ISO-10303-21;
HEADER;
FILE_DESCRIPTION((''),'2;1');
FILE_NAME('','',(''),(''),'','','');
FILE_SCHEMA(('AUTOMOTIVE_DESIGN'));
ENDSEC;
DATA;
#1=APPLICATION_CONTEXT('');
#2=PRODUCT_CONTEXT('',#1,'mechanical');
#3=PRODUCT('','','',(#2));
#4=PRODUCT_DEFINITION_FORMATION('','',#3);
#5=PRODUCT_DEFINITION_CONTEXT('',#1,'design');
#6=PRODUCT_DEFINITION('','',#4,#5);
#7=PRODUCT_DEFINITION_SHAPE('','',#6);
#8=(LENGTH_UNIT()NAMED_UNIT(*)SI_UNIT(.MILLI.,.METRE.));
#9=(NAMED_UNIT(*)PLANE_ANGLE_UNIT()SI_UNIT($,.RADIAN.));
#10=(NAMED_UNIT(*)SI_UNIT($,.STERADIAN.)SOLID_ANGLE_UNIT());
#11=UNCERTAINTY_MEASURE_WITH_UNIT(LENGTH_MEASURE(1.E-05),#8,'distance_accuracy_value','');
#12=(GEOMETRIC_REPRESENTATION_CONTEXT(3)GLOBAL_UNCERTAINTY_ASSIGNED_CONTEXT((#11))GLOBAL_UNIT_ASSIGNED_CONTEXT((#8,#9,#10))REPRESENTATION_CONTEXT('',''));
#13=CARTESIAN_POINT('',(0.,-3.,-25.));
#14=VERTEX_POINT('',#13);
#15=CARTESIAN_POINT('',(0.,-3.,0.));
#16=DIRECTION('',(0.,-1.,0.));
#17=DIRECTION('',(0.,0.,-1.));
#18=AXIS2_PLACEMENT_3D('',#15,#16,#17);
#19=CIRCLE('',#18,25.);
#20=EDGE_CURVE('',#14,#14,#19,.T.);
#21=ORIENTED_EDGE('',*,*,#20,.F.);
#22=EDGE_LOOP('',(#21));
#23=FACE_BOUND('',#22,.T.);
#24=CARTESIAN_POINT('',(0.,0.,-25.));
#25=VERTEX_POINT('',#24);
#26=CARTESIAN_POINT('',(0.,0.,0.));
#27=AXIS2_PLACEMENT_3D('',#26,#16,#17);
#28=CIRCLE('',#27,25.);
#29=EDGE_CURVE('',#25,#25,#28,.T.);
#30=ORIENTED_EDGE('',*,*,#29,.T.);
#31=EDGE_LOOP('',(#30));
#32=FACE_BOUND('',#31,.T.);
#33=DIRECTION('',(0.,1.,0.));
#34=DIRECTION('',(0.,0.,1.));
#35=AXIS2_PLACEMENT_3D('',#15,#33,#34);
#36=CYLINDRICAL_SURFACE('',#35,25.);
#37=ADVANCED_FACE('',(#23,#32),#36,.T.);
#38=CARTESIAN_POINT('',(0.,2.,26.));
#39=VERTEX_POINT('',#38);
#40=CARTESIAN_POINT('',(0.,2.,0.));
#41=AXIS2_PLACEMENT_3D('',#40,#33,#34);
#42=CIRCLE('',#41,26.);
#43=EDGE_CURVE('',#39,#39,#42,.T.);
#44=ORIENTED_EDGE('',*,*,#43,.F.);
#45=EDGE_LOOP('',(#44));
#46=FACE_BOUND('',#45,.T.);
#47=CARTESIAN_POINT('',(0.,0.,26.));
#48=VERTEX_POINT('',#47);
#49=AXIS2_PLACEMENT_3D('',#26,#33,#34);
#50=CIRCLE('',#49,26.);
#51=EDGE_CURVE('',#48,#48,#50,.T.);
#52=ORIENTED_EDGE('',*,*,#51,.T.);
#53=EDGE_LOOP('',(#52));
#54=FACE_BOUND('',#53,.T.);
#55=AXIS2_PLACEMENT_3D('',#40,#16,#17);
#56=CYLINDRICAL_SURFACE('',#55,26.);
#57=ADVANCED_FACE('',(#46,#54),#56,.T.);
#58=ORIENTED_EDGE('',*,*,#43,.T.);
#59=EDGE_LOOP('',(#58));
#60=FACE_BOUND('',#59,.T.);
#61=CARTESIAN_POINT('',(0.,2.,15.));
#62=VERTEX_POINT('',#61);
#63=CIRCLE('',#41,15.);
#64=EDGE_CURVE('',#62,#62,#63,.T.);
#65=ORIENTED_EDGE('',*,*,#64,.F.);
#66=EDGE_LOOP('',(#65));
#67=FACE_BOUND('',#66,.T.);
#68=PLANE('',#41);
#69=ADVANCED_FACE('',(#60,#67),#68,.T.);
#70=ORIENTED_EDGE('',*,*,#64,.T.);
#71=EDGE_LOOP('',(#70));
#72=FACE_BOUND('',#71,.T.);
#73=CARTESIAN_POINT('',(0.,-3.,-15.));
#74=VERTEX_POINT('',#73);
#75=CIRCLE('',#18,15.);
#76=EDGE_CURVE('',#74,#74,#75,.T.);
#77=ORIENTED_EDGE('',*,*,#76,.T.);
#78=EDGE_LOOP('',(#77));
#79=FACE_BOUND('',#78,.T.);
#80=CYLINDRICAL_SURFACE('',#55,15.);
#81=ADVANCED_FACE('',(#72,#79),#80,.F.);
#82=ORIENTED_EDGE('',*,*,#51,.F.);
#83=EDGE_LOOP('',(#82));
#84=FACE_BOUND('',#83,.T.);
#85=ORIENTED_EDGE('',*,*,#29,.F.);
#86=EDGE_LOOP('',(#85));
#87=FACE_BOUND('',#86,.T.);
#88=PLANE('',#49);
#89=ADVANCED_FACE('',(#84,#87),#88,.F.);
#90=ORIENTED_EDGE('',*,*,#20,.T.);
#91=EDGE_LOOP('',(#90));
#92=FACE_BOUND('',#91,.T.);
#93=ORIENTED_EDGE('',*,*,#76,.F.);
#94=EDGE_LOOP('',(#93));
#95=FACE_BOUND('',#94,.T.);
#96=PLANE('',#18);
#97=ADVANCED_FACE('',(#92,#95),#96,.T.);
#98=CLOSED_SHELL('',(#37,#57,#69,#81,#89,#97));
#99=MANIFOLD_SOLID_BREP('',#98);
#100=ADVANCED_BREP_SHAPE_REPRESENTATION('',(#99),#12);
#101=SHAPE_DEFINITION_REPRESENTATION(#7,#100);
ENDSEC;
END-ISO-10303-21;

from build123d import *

# Parameters (mm, degrees)
SKETCH1_R           = 26
SKETCH1_R_2         = 15
BOSS_EXTRUDE1_DEPTH = 2
SKETCH2_R           = 25
SKETCH2_R_2         = 15
BOSS_EXTRUDE3_DEPTH = 3


with BuildPart() as part:
    # Sketch1 → Boss-Extrude1 (new body)
    with BuildSketch(Plane(origin=(0, 0, 0), x_dir=(1, 0, 0), z_dir=(0, 1, 0))):
        Circle(SKETCH1_R)
        Circle(SKETCH1_R_2, mode=Mode.SUBTRACT)
    extrude(amount=BOSS_EXTRUDE1_DEPTH)

    # Sketch2 → Boss-Extrude3 (add)
    with BuildSketch(Plane.XZ):
        Circle(SKETCH2_R)
        Circle(SKETCH2_R_2, mode=Mode.SUBTRACT)
    extrude(amount=BOSS_EXTRUDE3_DEPTH)


solid = part.part
